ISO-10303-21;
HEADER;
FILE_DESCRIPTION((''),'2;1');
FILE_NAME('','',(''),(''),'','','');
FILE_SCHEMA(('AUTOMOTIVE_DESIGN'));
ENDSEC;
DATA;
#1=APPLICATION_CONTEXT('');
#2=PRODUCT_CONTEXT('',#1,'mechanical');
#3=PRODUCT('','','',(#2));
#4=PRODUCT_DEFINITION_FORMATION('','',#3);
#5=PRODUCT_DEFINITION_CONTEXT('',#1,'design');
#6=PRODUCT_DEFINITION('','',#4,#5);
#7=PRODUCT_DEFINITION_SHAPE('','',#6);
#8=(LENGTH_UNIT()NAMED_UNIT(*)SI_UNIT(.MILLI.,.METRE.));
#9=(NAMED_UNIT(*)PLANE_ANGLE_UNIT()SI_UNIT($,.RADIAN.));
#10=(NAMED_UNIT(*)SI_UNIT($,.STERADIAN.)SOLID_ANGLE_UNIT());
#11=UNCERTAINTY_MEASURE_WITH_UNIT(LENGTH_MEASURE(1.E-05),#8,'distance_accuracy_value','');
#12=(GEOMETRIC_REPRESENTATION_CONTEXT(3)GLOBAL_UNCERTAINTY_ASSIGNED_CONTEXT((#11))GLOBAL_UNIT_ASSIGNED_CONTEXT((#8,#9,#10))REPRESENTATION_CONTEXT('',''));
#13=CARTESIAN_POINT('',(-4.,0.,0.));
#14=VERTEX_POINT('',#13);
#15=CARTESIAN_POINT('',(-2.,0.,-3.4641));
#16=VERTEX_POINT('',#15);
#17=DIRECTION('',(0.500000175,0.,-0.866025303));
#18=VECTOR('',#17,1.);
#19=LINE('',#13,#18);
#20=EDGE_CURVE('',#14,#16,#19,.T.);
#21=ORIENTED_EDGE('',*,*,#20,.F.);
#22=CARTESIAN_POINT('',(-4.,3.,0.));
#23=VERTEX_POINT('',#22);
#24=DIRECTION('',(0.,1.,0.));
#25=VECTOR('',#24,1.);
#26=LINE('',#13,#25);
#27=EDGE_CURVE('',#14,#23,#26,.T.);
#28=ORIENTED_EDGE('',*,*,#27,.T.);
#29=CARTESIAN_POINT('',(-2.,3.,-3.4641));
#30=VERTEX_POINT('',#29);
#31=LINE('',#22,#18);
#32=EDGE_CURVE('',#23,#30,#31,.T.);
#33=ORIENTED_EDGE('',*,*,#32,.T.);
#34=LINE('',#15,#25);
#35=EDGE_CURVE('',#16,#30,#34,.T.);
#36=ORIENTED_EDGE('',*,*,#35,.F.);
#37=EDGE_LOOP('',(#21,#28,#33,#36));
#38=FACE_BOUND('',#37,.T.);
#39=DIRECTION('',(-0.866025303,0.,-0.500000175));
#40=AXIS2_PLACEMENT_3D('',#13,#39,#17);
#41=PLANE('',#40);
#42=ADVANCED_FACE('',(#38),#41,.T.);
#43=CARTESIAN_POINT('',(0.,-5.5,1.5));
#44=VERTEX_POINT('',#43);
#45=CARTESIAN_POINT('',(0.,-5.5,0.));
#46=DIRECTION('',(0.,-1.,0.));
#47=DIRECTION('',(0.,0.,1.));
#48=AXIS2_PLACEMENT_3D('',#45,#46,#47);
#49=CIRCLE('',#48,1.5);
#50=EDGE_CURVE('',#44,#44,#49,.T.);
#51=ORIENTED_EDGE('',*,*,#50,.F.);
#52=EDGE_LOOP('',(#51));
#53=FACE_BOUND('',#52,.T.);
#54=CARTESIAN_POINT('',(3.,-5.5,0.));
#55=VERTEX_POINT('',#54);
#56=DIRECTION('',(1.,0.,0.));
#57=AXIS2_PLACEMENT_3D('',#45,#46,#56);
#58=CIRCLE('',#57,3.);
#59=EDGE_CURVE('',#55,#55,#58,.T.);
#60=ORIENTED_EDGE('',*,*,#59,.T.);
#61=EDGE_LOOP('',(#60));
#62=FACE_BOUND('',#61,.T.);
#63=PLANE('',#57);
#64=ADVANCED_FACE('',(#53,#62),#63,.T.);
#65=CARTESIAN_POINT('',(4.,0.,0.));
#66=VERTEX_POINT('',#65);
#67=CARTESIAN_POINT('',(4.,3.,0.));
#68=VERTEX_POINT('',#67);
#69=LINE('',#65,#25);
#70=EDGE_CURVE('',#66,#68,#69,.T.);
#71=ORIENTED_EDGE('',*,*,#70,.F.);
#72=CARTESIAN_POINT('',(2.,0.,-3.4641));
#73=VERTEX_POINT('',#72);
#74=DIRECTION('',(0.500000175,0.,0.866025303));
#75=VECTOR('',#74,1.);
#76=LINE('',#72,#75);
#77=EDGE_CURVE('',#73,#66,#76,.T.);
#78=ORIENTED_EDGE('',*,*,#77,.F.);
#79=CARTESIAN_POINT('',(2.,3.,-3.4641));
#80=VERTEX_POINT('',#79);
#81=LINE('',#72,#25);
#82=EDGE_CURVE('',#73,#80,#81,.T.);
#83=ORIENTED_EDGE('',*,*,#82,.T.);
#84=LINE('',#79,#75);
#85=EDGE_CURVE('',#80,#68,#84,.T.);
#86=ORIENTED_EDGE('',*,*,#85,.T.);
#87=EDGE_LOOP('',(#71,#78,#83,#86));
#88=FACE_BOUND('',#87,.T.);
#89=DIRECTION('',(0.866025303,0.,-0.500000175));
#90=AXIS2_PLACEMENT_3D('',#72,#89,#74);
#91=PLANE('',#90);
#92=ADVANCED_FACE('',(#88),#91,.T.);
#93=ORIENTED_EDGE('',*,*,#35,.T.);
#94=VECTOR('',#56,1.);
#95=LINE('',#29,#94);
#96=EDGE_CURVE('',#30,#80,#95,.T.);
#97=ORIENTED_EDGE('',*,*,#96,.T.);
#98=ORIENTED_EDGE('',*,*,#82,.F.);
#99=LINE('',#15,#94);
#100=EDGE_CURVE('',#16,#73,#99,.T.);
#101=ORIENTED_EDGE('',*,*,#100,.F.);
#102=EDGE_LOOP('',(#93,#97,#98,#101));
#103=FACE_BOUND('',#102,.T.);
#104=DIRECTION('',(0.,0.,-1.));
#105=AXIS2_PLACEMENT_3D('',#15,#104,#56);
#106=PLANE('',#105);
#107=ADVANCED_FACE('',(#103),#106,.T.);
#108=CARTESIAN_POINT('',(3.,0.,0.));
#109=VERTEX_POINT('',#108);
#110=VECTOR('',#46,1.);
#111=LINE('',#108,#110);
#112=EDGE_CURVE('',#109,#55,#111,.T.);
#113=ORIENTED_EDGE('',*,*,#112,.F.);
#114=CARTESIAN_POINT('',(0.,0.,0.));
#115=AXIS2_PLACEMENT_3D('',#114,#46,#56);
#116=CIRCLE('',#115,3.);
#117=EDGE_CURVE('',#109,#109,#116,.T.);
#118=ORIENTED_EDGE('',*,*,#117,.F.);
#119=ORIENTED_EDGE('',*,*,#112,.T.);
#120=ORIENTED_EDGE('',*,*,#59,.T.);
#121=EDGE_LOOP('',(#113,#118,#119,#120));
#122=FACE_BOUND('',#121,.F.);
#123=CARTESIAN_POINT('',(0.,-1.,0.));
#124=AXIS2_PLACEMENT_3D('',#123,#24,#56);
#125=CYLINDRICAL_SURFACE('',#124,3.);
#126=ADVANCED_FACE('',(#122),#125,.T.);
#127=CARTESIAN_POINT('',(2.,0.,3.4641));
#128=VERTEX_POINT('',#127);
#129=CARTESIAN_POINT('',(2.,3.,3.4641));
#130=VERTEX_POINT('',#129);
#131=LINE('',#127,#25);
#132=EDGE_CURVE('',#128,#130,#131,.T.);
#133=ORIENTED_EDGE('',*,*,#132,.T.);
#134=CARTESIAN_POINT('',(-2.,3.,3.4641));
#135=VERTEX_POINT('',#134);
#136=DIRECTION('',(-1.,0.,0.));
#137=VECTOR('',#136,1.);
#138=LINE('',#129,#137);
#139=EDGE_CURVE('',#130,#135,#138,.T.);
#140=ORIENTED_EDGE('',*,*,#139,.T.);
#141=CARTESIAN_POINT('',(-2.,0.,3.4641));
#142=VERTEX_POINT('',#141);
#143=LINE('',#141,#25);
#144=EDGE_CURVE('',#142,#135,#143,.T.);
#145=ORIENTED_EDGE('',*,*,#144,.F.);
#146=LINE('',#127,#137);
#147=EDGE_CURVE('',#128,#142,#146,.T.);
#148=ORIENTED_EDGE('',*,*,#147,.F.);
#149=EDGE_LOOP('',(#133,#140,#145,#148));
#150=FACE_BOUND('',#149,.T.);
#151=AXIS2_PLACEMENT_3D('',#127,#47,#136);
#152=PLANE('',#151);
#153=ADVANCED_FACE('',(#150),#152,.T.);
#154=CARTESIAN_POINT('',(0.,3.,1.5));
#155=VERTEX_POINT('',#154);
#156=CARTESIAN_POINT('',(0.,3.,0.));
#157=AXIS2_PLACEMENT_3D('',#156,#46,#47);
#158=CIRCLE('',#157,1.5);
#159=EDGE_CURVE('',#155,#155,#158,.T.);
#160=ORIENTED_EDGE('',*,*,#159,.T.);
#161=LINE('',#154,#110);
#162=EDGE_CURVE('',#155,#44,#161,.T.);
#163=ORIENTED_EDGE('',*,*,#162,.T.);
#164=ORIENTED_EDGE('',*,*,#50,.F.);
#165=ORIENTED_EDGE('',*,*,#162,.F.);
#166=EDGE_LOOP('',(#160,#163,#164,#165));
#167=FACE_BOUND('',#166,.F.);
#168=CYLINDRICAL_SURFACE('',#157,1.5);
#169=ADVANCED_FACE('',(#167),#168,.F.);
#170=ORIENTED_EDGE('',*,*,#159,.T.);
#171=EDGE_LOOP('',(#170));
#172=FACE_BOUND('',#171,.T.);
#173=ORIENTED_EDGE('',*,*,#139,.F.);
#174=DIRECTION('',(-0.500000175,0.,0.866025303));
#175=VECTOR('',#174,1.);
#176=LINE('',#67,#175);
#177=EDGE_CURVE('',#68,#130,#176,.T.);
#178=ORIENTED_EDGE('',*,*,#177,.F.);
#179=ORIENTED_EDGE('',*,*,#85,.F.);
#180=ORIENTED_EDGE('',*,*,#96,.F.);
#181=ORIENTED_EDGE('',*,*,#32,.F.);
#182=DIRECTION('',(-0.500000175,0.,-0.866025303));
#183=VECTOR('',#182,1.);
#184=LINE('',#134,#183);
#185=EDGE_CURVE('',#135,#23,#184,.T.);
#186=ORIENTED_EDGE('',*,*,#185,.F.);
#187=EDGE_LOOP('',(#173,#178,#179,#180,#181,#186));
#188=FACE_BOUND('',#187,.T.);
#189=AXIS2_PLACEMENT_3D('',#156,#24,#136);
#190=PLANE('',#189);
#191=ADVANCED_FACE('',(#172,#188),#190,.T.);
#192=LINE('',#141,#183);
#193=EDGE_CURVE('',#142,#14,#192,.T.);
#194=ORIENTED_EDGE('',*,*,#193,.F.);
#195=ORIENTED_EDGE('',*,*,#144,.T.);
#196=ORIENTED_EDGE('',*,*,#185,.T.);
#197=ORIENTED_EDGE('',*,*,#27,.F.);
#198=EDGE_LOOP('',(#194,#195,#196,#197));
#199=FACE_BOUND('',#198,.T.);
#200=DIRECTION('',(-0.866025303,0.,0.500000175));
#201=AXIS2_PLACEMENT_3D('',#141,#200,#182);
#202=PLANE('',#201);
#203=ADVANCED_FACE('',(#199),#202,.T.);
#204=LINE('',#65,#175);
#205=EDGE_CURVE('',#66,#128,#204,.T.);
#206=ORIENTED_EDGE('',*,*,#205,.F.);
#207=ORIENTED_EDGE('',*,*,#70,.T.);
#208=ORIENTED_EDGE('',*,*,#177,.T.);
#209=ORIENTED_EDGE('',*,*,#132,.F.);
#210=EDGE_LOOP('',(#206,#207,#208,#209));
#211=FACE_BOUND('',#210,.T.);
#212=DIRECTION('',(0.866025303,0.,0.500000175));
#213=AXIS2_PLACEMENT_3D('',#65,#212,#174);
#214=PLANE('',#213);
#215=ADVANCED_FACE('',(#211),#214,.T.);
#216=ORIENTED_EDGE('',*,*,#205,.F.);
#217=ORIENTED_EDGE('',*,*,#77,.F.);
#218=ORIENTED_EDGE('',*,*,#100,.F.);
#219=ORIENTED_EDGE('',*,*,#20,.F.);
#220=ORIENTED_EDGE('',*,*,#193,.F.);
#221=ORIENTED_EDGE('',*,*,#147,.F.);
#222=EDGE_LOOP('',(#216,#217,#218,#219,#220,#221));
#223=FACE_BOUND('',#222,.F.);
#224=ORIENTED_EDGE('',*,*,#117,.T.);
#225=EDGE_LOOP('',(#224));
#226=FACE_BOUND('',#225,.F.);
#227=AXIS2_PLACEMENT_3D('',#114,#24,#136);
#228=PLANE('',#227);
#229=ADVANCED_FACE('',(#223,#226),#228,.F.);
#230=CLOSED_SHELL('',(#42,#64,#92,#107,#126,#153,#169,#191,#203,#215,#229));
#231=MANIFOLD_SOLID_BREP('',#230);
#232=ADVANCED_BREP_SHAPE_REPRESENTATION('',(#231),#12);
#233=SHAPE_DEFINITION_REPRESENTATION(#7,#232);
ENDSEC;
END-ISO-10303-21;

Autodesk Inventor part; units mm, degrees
ref_plane "YZ Plane" through (0, 0, 0) normal (1, 0, 0) x (0, 1, 0)
ref_plane "XZ Plane" through (0, 0, 0) normal (0, 1, 0) x (-1, 0, 0)
ref_plane "XY Plane" through (0, 0, 0) normal (0, 0, 1) x (1, 0, 0)
sketch "Sketch1" plane through (0, 0, 0) normal (0, 1, 0) x (-1, 0, 0)
  line L0 (-4, 0) -> (-2, 3.4641)
  line L1 (-2, 3.4641) -> (2, 3.4641)
  line L2 (2, 3.4641) -> (4, 0)
  line L3 (4, 0) -> (2, -3.4641)
  line L4 (2, -3.4641) -> (-2, -3.4641)
  line L5 (-2, -3.4641) -> (-4, 0)
  point P0 (0, 0)
  point P1 (0, 0)
  dimension "d1" = 8
extrude "Extrusion1" add sketch "Sketch1" along normal blind 3
sketch "Sketch2" plane through (0, 0, 0) normal (0, -1, 0) x (1, 0, 0)
  circle A0 centre (0, 0) radius 3
  dimension "d4" = 6
extrude "Extrusion2" add sketch "Sketch2" along normal blind 1
sketch "Sketch3" plane through (0, -1, 0) normal (0, -1, 0) x (1, 0, 0)
  circle A0 centre (0, 0) radius 3 projected
  circle A1 centre (0, 0) radius 3
extrude "Extrusion3" add sketch "Sketch3" along normal blind 4.5
thread "Thread1" size "M6x1" class "6g" standard "ANSI Metric M Profile" length 5.5 offset 1
sketch "Sketch4" plane through (0, 3, 0) normal (0, 1, 0) x (1, 0, 0)
  point P0 (0, 0)
hole "Hole1" at (0, 3, 0) direction (0, -1, 0) diameter 3 end through all
properties material "Brass, Soft Yellow, Welded"
